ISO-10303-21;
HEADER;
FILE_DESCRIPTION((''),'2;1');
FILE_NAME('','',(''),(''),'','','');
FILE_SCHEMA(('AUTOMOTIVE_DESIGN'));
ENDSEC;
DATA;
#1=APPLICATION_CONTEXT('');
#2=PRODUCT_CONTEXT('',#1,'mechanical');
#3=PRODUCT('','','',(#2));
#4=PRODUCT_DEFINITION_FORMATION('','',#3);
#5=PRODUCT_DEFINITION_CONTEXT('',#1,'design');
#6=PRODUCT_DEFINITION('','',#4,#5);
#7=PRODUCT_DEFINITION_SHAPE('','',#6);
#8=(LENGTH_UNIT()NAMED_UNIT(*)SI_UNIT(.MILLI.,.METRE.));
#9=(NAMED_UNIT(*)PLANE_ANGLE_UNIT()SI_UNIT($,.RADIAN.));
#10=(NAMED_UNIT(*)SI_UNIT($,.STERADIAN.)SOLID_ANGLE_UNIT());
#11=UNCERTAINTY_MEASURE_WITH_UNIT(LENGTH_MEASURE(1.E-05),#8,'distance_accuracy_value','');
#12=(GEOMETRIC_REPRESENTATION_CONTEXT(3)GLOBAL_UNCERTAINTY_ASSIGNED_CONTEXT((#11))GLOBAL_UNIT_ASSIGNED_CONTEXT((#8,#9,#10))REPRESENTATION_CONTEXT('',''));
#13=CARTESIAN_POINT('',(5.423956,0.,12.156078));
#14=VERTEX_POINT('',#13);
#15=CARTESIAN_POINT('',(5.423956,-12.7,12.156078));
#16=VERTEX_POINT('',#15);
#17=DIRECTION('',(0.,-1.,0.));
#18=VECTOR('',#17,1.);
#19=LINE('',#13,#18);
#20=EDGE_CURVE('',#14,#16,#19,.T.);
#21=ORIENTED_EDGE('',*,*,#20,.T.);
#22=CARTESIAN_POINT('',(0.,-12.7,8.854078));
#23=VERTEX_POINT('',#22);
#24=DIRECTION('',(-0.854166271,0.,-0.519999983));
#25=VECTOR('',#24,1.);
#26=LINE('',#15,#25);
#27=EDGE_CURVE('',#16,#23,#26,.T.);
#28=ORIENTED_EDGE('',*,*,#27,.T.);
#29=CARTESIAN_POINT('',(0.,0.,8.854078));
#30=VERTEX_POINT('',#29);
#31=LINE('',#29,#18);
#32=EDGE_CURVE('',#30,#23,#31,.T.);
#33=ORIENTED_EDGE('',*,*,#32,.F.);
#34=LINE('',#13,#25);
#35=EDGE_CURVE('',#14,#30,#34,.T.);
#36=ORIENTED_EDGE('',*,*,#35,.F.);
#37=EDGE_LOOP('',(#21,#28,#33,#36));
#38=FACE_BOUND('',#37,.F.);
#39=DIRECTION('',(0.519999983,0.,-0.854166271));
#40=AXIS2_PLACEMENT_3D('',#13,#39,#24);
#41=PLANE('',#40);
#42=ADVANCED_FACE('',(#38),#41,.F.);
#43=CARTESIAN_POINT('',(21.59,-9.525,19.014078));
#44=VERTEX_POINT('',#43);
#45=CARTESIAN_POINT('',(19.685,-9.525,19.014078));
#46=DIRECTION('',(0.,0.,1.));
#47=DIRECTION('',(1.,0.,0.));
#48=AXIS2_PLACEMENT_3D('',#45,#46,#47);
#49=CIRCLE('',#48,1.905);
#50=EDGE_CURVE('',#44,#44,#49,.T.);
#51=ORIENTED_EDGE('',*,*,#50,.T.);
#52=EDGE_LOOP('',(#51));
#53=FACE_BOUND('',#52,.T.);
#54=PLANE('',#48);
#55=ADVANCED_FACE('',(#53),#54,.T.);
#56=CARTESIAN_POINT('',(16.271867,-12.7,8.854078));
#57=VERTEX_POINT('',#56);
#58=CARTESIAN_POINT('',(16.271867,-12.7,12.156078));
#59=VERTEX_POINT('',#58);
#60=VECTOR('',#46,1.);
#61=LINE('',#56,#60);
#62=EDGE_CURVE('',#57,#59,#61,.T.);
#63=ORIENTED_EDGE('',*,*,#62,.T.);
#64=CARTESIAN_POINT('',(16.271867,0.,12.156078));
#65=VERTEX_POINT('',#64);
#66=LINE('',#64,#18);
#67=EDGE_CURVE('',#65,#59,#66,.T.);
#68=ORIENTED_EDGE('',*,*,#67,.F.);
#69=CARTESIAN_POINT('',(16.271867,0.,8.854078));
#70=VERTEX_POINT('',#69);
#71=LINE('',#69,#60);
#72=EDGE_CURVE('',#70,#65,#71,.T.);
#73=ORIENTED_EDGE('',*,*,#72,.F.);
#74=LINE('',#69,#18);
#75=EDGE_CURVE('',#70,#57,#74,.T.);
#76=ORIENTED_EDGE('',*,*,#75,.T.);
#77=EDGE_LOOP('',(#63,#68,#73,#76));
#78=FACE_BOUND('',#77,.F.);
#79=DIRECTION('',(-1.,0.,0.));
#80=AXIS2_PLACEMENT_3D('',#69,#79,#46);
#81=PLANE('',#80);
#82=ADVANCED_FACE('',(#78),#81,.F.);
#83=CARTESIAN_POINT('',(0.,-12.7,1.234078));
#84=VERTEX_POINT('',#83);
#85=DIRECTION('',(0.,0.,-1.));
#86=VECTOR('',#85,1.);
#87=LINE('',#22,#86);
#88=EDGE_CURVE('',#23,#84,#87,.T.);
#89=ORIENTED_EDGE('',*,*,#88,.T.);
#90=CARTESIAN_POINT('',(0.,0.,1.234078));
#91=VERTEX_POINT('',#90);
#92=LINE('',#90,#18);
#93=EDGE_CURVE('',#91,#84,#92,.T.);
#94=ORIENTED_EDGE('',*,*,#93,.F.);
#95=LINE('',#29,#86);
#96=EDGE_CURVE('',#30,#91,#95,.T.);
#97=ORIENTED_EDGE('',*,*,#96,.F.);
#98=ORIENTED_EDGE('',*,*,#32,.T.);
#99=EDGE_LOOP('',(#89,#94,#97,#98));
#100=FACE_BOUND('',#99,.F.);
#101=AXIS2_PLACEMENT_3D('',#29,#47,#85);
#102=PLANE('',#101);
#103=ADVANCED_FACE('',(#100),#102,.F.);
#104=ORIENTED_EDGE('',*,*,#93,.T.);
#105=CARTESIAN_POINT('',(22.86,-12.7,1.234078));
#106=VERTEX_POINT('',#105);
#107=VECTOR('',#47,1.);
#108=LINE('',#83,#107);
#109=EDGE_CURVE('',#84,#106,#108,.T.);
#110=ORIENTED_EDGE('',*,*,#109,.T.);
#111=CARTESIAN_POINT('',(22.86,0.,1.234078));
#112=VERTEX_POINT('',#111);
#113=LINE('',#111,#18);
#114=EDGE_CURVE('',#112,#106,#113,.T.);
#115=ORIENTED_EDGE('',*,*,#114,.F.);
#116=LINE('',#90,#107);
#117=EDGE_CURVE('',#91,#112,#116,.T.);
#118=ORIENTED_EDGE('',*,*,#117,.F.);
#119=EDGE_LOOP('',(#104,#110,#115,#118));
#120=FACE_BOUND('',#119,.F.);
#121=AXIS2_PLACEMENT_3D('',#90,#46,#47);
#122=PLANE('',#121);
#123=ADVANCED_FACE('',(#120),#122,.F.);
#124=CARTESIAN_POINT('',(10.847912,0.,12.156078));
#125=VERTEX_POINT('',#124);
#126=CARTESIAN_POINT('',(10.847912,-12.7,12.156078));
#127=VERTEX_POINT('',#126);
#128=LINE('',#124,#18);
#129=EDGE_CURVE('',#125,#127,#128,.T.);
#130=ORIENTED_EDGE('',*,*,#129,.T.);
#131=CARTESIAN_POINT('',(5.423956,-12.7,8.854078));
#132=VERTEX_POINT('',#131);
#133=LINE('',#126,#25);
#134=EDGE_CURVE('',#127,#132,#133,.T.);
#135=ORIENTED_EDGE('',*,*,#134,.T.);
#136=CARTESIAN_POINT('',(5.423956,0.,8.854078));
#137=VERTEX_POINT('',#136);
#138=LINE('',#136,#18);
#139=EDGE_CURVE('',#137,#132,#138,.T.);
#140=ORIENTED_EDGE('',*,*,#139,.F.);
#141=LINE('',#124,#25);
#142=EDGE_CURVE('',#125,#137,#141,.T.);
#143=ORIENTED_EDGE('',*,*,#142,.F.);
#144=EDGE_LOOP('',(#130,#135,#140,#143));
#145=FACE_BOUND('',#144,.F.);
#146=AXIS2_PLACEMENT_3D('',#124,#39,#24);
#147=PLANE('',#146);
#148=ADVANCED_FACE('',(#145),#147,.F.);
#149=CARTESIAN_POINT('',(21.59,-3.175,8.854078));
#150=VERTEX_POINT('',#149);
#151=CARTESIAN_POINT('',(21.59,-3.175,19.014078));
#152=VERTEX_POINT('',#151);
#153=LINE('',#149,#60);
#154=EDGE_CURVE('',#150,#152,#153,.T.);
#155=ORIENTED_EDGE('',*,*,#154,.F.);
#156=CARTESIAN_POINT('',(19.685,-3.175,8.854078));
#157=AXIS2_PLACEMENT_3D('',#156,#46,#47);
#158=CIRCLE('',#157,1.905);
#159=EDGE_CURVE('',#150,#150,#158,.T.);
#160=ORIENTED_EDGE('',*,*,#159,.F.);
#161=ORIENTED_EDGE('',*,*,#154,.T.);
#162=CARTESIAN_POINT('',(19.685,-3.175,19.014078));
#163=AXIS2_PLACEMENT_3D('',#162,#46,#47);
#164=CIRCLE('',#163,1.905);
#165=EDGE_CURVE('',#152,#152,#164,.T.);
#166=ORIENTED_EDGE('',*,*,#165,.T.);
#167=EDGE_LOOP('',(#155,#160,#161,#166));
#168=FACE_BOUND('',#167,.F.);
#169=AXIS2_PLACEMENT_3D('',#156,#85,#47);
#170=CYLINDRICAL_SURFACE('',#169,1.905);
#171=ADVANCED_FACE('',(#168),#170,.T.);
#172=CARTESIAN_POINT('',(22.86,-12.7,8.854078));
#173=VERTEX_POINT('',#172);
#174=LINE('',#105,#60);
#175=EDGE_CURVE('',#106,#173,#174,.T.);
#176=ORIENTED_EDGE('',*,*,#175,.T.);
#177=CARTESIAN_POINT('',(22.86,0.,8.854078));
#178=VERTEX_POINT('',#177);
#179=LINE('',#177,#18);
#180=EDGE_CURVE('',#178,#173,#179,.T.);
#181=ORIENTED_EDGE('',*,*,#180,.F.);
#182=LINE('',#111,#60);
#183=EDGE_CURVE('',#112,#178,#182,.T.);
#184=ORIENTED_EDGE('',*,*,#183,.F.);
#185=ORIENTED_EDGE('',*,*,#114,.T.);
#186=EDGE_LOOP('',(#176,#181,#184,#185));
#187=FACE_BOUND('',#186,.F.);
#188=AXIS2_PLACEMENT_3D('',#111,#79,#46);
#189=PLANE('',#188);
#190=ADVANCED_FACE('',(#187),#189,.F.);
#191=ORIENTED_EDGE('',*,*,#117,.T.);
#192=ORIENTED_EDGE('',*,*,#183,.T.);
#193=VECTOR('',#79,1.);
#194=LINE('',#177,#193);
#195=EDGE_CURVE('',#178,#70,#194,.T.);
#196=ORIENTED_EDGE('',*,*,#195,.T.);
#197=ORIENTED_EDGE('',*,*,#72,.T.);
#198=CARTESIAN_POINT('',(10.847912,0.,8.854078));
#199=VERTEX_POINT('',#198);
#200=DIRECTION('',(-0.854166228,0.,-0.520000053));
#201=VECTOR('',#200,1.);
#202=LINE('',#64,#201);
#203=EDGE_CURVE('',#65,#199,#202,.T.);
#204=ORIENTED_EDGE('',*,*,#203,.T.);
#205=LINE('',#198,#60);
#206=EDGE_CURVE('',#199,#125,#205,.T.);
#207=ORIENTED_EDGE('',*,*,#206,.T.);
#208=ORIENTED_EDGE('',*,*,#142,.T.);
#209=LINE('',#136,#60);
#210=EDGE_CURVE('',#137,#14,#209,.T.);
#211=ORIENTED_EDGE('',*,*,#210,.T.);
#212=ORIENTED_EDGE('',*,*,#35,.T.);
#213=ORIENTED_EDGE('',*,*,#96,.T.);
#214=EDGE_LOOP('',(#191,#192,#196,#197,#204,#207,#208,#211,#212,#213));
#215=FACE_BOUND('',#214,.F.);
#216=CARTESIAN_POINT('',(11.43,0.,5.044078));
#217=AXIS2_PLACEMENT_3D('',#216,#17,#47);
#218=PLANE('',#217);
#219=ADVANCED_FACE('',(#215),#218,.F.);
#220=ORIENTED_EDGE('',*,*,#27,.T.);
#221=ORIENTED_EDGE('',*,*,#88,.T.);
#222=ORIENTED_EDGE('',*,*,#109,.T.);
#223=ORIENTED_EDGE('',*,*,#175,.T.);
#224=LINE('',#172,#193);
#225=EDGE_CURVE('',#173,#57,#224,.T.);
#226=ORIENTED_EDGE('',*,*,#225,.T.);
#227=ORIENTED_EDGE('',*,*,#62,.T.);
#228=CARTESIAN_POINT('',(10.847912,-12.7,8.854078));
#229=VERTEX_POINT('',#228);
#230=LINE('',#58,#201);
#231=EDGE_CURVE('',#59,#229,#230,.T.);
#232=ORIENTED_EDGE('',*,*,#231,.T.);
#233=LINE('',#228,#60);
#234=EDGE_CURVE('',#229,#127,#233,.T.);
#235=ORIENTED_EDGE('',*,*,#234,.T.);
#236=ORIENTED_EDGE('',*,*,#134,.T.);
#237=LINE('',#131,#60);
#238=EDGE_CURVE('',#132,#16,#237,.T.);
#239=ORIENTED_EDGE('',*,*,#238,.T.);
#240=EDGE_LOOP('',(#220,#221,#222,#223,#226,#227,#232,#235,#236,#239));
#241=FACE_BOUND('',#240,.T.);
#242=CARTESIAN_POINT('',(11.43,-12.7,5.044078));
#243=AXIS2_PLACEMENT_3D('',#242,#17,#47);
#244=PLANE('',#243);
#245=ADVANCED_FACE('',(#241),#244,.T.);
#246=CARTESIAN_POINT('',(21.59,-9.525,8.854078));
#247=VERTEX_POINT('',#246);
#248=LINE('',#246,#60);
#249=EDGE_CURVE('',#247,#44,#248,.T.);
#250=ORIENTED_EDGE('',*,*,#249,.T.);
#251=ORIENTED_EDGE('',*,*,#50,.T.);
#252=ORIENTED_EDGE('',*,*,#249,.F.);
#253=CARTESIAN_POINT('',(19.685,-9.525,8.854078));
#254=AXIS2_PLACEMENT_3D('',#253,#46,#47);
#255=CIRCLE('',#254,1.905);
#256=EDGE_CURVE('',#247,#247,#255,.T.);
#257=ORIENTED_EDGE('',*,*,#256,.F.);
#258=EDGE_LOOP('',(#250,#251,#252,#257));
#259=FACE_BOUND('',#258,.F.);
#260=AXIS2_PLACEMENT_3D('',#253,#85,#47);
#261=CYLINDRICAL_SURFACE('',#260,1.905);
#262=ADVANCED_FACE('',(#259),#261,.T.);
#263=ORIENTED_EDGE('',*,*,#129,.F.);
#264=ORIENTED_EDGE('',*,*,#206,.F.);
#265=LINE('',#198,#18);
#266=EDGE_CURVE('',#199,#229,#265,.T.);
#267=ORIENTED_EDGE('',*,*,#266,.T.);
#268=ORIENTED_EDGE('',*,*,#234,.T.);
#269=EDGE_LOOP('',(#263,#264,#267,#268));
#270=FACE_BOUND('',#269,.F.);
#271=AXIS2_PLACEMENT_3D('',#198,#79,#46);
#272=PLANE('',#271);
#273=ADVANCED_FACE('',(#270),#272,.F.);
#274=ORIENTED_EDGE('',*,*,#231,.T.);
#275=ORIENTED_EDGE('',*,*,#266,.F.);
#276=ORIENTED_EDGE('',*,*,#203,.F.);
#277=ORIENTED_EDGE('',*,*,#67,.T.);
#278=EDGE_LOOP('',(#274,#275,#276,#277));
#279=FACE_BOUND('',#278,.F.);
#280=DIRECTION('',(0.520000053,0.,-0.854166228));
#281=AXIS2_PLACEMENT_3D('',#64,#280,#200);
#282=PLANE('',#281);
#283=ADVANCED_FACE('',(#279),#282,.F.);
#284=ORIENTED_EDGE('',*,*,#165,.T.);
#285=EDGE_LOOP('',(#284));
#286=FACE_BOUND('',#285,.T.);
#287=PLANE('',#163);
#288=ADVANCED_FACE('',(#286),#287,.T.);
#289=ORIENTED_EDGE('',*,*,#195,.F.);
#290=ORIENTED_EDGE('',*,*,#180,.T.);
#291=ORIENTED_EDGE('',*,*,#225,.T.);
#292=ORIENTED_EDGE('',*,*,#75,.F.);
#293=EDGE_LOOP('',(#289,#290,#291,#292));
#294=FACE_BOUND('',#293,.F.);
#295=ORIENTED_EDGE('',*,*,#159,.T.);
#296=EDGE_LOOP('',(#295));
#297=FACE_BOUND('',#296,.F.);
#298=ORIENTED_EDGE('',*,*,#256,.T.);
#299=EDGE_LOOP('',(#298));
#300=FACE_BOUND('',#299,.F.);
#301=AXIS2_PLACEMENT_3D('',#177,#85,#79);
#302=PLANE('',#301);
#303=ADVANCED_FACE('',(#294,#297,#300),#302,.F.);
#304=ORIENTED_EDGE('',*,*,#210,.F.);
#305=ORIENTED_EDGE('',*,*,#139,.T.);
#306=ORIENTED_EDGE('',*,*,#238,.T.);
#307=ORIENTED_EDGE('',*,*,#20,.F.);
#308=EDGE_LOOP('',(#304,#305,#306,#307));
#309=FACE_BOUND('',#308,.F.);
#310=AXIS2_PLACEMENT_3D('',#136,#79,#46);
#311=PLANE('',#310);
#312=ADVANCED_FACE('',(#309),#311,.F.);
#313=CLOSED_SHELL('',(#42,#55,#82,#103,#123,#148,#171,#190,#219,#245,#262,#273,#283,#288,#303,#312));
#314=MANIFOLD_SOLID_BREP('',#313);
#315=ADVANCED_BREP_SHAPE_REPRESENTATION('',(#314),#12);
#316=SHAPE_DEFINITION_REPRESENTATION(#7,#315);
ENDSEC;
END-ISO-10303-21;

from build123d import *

# Parameters (mm, degrees)
F1_DEPTH = 12.7
F2_R     = 1.905
F3_DEPTH = 10.16


with BuildPart() as f1:
    # F0 (on Front) → F1 (new body)
    with BuildSketch(Plane.XZ):
        Polygon((0, 8.854078), (0, 1.234078), (22.86, 1.234078), (22.86, 8.854078), (16.271867, 8.854078), (10.847912, 8.854078), (5.423956, 8.854078), align=None)
        Polygon((5.423956, 12.156078), (0, 8.854078), (5.423956, 8.854078), align=None)
        Polygon((10.847912, 12.156078), (5.423956, 8.854078), (10.847912, 8.854078), align=None)
        Polygon((10.847912, 8.854078), (16.271867, 8.854078), (16.271867, 12.156078), align=None)
    extrude(amount=F1_DEPTH)

    # F2 (on face) → F3 (join)
    with BuildSketch(Plane.XY.offset(8.854078)):
        with Locations((19.685, -3.175)):
            Circle(F2_R)
        with Locations((19.685, -9.525)):
            Circle(F2_R)
    extrude(amount=F3_DEPTH)


solid = f1.part
